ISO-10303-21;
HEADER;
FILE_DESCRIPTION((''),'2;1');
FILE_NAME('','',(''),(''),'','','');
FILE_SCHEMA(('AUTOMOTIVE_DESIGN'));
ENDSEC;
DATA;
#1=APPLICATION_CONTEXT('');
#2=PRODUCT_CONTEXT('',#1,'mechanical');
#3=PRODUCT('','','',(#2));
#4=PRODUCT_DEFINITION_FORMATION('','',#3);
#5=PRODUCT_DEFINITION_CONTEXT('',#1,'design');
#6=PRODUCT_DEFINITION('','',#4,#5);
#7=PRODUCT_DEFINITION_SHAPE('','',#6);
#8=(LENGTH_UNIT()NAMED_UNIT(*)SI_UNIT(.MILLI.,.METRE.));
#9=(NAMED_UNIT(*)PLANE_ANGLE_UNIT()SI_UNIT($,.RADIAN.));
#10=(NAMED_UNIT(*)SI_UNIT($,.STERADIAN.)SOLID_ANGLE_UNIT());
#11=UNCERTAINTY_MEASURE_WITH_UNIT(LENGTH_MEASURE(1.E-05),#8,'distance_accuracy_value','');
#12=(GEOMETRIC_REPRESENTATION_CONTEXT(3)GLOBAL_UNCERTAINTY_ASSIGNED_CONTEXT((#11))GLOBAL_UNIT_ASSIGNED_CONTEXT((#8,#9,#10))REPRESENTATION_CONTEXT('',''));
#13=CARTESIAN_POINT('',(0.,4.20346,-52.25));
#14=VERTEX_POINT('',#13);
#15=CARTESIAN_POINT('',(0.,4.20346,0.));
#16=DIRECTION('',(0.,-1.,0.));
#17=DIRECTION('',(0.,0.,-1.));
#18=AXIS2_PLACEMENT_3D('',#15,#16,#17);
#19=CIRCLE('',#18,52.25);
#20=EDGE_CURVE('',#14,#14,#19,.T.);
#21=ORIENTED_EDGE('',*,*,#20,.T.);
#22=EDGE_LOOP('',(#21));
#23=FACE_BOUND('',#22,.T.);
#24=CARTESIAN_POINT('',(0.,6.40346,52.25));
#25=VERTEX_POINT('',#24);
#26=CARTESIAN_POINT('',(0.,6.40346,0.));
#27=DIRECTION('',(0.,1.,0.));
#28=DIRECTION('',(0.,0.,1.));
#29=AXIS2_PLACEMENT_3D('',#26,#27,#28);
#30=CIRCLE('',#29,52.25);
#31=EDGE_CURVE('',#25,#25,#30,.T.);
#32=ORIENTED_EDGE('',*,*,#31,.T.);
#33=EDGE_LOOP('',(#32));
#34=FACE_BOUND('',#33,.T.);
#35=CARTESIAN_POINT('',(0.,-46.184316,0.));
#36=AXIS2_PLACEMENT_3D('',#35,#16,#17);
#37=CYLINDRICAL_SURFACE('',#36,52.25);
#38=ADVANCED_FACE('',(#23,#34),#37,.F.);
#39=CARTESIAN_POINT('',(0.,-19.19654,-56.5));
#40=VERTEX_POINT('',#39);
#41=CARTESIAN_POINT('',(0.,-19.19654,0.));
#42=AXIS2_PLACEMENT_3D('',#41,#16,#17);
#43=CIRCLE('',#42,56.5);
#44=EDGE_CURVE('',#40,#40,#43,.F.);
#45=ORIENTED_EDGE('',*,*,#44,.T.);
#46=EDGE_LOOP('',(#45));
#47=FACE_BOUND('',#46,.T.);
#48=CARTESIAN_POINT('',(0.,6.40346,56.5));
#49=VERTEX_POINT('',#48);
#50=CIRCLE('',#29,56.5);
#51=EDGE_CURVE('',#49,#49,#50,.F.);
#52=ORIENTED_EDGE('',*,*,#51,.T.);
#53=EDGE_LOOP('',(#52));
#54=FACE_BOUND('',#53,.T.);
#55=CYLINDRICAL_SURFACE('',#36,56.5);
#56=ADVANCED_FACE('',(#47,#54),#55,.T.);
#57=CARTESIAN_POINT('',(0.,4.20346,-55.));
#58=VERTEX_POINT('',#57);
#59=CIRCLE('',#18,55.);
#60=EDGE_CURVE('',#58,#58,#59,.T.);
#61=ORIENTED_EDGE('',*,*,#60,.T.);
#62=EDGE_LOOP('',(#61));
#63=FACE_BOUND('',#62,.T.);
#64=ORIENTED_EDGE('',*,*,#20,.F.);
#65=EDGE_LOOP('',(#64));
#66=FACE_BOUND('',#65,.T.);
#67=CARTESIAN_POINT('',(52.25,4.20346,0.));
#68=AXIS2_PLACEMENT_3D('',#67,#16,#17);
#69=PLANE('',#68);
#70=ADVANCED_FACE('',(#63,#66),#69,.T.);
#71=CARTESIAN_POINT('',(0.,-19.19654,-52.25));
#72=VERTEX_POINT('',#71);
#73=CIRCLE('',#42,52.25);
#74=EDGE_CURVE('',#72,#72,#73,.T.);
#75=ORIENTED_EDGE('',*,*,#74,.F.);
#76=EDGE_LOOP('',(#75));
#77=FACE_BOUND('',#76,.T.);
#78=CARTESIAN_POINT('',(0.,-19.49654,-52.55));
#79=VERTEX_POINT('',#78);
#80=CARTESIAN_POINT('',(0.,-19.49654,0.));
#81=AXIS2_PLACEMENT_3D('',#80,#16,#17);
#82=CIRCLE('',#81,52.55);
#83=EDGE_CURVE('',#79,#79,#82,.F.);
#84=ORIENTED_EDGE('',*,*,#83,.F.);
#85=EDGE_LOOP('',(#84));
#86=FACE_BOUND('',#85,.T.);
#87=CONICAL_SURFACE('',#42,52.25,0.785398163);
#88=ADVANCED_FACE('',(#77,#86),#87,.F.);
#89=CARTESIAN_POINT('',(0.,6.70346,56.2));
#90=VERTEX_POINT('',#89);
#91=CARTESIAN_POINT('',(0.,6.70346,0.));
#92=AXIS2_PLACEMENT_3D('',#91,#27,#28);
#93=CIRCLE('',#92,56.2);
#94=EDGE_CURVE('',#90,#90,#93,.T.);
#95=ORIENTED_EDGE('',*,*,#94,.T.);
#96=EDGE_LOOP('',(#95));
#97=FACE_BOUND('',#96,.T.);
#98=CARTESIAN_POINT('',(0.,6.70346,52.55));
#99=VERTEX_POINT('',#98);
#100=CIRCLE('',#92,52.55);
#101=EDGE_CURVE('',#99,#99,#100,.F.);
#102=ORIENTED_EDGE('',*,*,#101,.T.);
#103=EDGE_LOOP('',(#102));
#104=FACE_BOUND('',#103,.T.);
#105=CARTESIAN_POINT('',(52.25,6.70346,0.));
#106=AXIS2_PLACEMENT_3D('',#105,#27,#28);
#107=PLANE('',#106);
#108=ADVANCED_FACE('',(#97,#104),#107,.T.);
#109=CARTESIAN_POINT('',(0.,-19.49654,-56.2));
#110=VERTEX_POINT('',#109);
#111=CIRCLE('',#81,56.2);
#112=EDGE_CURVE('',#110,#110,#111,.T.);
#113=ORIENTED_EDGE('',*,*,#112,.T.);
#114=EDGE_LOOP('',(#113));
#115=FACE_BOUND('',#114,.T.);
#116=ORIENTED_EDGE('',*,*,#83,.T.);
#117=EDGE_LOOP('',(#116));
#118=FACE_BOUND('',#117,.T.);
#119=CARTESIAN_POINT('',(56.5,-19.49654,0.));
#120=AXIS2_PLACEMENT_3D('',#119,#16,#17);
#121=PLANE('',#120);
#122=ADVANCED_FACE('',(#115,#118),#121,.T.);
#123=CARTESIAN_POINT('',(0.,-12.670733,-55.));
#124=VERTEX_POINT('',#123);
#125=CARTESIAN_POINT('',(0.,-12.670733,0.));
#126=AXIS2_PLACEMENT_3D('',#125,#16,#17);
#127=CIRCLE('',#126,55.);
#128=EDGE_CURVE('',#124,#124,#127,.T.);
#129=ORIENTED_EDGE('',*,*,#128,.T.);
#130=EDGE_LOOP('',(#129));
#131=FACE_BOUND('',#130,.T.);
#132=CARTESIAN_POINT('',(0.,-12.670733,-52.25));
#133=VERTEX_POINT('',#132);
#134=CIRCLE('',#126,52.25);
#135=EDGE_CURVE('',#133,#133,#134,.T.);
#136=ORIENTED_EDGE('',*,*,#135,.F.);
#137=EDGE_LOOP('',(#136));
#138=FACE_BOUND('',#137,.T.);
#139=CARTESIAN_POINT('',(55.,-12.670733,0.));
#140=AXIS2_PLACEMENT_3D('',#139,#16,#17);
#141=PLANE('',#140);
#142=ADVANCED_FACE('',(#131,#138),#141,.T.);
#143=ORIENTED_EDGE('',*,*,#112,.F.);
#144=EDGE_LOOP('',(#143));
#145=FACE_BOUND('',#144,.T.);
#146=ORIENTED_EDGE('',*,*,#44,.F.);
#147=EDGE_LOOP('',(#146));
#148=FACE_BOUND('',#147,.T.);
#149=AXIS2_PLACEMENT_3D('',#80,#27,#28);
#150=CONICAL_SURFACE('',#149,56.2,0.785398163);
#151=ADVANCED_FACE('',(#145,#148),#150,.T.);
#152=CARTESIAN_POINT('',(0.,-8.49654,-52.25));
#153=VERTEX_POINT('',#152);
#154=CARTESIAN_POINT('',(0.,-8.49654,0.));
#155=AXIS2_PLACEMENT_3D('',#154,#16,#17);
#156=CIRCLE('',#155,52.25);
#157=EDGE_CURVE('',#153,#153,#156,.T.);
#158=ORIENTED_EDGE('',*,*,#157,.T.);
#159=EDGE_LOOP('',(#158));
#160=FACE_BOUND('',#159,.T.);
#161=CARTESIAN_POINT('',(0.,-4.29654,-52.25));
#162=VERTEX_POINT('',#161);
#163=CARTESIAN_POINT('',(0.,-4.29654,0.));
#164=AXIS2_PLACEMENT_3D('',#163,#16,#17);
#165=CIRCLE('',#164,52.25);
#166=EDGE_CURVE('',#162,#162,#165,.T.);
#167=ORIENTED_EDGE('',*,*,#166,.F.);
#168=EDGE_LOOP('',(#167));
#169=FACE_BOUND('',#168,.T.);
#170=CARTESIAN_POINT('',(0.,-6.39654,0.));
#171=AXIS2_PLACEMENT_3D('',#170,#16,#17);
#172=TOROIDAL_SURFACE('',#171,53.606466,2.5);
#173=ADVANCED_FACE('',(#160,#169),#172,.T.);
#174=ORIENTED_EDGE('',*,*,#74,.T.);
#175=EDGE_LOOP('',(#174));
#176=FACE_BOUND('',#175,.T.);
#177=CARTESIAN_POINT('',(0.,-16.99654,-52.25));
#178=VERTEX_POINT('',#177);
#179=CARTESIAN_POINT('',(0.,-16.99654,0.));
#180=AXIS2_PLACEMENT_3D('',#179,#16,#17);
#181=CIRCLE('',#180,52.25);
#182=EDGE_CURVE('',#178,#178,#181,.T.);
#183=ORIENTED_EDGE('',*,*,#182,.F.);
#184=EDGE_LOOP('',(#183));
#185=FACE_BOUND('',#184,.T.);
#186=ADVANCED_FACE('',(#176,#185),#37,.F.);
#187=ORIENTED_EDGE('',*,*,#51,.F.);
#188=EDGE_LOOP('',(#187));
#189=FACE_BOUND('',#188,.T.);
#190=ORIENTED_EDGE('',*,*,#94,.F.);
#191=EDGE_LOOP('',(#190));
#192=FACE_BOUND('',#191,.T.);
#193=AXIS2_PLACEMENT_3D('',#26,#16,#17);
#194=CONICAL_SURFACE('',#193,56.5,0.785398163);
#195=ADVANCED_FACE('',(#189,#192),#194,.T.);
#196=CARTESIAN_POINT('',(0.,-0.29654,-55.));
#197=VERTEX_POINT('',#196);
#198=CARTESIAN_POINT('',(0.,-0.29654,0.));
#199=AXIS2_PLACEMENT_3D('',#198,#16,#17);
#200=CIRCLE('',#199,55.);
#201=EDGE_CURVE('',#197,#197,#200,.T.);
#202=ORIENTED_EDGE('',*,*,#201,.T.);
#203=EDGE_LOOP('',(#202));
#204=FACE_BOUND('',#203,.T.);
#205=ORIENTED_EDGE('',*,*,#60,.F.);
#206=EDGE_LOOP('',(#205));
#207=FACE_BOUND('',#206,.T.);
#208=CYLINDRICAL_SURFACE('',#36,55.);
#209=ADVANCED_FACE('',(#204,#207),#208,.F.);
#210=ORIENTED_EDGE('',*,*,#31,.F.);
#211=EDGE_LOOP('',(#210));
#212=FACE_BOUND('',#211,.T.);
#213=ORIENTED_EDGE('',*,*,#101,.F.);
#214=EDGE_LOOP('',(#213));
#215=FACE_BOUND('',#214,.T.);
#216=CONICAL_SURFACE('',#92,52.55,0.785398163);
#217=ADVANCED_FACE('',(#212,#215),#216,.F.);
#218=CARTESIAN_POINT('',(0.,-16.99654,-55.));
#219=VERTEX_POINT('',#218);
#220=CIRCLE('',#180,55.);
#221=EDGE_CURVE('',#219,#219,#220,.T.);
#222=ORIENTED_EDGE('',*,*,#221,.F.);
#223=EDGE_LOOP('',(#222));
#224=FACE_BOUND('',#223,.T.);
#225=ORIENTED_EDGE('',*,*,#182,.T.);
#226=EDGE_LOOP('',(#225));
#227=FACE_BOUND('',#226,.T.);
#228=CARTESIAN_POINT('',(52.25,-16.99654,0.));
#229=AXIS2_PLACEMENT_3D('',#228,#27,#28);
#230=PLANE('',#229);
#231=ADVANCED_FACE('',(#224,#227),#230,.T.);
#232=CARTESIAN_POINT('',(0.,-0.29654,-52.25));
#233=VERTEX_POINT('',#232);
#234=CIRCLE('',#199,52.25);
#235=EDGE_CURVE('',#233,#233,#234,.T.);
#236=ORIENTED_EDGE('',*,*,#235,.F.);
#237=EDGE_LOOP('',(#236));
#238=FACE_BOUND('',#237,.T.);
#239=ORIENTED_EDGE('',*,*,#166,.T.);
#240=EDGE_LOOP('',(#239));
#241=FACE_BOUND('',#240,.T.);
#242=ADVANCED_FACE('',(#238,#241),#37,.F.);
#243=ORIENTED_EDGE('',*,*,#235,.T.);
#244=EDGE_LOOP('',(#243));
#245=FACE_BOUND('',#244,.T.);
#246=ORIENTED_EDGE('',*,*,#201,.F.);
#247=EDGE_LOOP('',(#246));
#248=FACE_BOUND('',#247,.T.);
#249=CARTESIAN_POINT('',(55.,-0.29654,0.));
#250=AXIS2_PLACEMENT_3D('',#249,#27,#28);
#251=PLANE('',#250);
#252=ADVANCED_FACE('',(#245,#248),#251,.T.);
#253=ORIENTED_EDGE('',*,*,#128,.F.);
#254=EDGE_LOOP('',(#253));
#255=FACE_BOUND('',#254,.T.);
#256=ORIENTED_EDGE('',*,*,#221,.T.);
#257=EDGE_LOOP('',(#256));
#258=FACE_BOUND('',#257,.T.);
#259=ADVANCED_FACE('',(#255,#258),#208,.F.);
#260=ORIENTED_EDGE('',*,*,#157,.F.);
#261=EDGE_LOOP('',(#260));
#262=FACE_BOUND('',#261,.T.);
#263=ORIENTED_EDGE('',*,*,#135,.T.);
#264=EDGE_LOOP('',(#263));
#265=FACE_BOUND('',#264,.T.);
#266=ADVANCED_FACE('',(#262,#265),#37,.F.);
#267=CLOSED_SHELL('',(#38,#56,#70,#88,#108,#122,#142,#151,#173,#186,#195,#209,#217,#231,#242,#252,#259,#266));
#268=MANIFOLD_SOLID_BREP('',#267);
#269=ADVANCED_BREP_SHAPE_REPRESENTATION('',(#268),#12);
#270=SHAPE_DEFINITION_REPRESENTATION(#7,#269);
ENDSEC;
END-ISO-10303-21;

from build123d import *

# Parameters (mm, degrees)
CHANFRO1_SIZE = 0.3


with BuildPart() as part:
    # Esboço1 → Revolução1 (revolve)
    with BuildSketch(Plane.XY, mode=Mode.PRIVATE) as revolu_o1_sk:
        with BuildLine():
            Line((52.25, 6.703459888), (56.5, 6.703459888))
            Line((56.5, 6.703459888), (56.5, -19.496540112))
            Line((56.5, -19.496540112), (52.25, -19.496540112))
            Line((52.25, -19.496540112), (52.25, -16.996540112))
            Line((52.25, -16.996540112), (55, -16.996540112))
            Line((55, -16.996540112), (55, -12.670733082))
            Line((55, -12.670733082), (52.25, -12.670733082))
            Line((52.25, -12.670733082), (52.25, -8.496540112))
            ThreePointArc((52.25, -8.496540112), (51.106465997, -6.396540112), (52.25, -4.296540112))
            Line((52.25, -4.296540112), (52.25, -0.296540112))
            Line((52.25, -0.296540112), (55, -0.296540112))
            Line((55, -0.296540112), (55, 4.203459888))
            Line((55, 4.203459888), (52.25, 4.203459888))
            Line((52.25, 4.203459888), (52.25, 6.703459888))
        make_face()
    revolve(revolu_o1_sk.sketch.rotate(Axis((0, -46.184315802, 0), (0, 1, 0)), 90), axis=Axis((0, -46.184315802, 0), (0, 1, 0)))

    # Chanfro1
    chanfro1_edges = [part.edges().sort_by_distance(p)[0] for p in [
        (0, -19.496540112, 52.25),
        (0, -19.496540112, 56.5),
        (0, 6.703459888, 56.5),
        (0, 6.703459888, 52.25),
    ]]
    chamfer(chanfro1_edges, length=CHANFRO1_SIZE)


solid = part.part
